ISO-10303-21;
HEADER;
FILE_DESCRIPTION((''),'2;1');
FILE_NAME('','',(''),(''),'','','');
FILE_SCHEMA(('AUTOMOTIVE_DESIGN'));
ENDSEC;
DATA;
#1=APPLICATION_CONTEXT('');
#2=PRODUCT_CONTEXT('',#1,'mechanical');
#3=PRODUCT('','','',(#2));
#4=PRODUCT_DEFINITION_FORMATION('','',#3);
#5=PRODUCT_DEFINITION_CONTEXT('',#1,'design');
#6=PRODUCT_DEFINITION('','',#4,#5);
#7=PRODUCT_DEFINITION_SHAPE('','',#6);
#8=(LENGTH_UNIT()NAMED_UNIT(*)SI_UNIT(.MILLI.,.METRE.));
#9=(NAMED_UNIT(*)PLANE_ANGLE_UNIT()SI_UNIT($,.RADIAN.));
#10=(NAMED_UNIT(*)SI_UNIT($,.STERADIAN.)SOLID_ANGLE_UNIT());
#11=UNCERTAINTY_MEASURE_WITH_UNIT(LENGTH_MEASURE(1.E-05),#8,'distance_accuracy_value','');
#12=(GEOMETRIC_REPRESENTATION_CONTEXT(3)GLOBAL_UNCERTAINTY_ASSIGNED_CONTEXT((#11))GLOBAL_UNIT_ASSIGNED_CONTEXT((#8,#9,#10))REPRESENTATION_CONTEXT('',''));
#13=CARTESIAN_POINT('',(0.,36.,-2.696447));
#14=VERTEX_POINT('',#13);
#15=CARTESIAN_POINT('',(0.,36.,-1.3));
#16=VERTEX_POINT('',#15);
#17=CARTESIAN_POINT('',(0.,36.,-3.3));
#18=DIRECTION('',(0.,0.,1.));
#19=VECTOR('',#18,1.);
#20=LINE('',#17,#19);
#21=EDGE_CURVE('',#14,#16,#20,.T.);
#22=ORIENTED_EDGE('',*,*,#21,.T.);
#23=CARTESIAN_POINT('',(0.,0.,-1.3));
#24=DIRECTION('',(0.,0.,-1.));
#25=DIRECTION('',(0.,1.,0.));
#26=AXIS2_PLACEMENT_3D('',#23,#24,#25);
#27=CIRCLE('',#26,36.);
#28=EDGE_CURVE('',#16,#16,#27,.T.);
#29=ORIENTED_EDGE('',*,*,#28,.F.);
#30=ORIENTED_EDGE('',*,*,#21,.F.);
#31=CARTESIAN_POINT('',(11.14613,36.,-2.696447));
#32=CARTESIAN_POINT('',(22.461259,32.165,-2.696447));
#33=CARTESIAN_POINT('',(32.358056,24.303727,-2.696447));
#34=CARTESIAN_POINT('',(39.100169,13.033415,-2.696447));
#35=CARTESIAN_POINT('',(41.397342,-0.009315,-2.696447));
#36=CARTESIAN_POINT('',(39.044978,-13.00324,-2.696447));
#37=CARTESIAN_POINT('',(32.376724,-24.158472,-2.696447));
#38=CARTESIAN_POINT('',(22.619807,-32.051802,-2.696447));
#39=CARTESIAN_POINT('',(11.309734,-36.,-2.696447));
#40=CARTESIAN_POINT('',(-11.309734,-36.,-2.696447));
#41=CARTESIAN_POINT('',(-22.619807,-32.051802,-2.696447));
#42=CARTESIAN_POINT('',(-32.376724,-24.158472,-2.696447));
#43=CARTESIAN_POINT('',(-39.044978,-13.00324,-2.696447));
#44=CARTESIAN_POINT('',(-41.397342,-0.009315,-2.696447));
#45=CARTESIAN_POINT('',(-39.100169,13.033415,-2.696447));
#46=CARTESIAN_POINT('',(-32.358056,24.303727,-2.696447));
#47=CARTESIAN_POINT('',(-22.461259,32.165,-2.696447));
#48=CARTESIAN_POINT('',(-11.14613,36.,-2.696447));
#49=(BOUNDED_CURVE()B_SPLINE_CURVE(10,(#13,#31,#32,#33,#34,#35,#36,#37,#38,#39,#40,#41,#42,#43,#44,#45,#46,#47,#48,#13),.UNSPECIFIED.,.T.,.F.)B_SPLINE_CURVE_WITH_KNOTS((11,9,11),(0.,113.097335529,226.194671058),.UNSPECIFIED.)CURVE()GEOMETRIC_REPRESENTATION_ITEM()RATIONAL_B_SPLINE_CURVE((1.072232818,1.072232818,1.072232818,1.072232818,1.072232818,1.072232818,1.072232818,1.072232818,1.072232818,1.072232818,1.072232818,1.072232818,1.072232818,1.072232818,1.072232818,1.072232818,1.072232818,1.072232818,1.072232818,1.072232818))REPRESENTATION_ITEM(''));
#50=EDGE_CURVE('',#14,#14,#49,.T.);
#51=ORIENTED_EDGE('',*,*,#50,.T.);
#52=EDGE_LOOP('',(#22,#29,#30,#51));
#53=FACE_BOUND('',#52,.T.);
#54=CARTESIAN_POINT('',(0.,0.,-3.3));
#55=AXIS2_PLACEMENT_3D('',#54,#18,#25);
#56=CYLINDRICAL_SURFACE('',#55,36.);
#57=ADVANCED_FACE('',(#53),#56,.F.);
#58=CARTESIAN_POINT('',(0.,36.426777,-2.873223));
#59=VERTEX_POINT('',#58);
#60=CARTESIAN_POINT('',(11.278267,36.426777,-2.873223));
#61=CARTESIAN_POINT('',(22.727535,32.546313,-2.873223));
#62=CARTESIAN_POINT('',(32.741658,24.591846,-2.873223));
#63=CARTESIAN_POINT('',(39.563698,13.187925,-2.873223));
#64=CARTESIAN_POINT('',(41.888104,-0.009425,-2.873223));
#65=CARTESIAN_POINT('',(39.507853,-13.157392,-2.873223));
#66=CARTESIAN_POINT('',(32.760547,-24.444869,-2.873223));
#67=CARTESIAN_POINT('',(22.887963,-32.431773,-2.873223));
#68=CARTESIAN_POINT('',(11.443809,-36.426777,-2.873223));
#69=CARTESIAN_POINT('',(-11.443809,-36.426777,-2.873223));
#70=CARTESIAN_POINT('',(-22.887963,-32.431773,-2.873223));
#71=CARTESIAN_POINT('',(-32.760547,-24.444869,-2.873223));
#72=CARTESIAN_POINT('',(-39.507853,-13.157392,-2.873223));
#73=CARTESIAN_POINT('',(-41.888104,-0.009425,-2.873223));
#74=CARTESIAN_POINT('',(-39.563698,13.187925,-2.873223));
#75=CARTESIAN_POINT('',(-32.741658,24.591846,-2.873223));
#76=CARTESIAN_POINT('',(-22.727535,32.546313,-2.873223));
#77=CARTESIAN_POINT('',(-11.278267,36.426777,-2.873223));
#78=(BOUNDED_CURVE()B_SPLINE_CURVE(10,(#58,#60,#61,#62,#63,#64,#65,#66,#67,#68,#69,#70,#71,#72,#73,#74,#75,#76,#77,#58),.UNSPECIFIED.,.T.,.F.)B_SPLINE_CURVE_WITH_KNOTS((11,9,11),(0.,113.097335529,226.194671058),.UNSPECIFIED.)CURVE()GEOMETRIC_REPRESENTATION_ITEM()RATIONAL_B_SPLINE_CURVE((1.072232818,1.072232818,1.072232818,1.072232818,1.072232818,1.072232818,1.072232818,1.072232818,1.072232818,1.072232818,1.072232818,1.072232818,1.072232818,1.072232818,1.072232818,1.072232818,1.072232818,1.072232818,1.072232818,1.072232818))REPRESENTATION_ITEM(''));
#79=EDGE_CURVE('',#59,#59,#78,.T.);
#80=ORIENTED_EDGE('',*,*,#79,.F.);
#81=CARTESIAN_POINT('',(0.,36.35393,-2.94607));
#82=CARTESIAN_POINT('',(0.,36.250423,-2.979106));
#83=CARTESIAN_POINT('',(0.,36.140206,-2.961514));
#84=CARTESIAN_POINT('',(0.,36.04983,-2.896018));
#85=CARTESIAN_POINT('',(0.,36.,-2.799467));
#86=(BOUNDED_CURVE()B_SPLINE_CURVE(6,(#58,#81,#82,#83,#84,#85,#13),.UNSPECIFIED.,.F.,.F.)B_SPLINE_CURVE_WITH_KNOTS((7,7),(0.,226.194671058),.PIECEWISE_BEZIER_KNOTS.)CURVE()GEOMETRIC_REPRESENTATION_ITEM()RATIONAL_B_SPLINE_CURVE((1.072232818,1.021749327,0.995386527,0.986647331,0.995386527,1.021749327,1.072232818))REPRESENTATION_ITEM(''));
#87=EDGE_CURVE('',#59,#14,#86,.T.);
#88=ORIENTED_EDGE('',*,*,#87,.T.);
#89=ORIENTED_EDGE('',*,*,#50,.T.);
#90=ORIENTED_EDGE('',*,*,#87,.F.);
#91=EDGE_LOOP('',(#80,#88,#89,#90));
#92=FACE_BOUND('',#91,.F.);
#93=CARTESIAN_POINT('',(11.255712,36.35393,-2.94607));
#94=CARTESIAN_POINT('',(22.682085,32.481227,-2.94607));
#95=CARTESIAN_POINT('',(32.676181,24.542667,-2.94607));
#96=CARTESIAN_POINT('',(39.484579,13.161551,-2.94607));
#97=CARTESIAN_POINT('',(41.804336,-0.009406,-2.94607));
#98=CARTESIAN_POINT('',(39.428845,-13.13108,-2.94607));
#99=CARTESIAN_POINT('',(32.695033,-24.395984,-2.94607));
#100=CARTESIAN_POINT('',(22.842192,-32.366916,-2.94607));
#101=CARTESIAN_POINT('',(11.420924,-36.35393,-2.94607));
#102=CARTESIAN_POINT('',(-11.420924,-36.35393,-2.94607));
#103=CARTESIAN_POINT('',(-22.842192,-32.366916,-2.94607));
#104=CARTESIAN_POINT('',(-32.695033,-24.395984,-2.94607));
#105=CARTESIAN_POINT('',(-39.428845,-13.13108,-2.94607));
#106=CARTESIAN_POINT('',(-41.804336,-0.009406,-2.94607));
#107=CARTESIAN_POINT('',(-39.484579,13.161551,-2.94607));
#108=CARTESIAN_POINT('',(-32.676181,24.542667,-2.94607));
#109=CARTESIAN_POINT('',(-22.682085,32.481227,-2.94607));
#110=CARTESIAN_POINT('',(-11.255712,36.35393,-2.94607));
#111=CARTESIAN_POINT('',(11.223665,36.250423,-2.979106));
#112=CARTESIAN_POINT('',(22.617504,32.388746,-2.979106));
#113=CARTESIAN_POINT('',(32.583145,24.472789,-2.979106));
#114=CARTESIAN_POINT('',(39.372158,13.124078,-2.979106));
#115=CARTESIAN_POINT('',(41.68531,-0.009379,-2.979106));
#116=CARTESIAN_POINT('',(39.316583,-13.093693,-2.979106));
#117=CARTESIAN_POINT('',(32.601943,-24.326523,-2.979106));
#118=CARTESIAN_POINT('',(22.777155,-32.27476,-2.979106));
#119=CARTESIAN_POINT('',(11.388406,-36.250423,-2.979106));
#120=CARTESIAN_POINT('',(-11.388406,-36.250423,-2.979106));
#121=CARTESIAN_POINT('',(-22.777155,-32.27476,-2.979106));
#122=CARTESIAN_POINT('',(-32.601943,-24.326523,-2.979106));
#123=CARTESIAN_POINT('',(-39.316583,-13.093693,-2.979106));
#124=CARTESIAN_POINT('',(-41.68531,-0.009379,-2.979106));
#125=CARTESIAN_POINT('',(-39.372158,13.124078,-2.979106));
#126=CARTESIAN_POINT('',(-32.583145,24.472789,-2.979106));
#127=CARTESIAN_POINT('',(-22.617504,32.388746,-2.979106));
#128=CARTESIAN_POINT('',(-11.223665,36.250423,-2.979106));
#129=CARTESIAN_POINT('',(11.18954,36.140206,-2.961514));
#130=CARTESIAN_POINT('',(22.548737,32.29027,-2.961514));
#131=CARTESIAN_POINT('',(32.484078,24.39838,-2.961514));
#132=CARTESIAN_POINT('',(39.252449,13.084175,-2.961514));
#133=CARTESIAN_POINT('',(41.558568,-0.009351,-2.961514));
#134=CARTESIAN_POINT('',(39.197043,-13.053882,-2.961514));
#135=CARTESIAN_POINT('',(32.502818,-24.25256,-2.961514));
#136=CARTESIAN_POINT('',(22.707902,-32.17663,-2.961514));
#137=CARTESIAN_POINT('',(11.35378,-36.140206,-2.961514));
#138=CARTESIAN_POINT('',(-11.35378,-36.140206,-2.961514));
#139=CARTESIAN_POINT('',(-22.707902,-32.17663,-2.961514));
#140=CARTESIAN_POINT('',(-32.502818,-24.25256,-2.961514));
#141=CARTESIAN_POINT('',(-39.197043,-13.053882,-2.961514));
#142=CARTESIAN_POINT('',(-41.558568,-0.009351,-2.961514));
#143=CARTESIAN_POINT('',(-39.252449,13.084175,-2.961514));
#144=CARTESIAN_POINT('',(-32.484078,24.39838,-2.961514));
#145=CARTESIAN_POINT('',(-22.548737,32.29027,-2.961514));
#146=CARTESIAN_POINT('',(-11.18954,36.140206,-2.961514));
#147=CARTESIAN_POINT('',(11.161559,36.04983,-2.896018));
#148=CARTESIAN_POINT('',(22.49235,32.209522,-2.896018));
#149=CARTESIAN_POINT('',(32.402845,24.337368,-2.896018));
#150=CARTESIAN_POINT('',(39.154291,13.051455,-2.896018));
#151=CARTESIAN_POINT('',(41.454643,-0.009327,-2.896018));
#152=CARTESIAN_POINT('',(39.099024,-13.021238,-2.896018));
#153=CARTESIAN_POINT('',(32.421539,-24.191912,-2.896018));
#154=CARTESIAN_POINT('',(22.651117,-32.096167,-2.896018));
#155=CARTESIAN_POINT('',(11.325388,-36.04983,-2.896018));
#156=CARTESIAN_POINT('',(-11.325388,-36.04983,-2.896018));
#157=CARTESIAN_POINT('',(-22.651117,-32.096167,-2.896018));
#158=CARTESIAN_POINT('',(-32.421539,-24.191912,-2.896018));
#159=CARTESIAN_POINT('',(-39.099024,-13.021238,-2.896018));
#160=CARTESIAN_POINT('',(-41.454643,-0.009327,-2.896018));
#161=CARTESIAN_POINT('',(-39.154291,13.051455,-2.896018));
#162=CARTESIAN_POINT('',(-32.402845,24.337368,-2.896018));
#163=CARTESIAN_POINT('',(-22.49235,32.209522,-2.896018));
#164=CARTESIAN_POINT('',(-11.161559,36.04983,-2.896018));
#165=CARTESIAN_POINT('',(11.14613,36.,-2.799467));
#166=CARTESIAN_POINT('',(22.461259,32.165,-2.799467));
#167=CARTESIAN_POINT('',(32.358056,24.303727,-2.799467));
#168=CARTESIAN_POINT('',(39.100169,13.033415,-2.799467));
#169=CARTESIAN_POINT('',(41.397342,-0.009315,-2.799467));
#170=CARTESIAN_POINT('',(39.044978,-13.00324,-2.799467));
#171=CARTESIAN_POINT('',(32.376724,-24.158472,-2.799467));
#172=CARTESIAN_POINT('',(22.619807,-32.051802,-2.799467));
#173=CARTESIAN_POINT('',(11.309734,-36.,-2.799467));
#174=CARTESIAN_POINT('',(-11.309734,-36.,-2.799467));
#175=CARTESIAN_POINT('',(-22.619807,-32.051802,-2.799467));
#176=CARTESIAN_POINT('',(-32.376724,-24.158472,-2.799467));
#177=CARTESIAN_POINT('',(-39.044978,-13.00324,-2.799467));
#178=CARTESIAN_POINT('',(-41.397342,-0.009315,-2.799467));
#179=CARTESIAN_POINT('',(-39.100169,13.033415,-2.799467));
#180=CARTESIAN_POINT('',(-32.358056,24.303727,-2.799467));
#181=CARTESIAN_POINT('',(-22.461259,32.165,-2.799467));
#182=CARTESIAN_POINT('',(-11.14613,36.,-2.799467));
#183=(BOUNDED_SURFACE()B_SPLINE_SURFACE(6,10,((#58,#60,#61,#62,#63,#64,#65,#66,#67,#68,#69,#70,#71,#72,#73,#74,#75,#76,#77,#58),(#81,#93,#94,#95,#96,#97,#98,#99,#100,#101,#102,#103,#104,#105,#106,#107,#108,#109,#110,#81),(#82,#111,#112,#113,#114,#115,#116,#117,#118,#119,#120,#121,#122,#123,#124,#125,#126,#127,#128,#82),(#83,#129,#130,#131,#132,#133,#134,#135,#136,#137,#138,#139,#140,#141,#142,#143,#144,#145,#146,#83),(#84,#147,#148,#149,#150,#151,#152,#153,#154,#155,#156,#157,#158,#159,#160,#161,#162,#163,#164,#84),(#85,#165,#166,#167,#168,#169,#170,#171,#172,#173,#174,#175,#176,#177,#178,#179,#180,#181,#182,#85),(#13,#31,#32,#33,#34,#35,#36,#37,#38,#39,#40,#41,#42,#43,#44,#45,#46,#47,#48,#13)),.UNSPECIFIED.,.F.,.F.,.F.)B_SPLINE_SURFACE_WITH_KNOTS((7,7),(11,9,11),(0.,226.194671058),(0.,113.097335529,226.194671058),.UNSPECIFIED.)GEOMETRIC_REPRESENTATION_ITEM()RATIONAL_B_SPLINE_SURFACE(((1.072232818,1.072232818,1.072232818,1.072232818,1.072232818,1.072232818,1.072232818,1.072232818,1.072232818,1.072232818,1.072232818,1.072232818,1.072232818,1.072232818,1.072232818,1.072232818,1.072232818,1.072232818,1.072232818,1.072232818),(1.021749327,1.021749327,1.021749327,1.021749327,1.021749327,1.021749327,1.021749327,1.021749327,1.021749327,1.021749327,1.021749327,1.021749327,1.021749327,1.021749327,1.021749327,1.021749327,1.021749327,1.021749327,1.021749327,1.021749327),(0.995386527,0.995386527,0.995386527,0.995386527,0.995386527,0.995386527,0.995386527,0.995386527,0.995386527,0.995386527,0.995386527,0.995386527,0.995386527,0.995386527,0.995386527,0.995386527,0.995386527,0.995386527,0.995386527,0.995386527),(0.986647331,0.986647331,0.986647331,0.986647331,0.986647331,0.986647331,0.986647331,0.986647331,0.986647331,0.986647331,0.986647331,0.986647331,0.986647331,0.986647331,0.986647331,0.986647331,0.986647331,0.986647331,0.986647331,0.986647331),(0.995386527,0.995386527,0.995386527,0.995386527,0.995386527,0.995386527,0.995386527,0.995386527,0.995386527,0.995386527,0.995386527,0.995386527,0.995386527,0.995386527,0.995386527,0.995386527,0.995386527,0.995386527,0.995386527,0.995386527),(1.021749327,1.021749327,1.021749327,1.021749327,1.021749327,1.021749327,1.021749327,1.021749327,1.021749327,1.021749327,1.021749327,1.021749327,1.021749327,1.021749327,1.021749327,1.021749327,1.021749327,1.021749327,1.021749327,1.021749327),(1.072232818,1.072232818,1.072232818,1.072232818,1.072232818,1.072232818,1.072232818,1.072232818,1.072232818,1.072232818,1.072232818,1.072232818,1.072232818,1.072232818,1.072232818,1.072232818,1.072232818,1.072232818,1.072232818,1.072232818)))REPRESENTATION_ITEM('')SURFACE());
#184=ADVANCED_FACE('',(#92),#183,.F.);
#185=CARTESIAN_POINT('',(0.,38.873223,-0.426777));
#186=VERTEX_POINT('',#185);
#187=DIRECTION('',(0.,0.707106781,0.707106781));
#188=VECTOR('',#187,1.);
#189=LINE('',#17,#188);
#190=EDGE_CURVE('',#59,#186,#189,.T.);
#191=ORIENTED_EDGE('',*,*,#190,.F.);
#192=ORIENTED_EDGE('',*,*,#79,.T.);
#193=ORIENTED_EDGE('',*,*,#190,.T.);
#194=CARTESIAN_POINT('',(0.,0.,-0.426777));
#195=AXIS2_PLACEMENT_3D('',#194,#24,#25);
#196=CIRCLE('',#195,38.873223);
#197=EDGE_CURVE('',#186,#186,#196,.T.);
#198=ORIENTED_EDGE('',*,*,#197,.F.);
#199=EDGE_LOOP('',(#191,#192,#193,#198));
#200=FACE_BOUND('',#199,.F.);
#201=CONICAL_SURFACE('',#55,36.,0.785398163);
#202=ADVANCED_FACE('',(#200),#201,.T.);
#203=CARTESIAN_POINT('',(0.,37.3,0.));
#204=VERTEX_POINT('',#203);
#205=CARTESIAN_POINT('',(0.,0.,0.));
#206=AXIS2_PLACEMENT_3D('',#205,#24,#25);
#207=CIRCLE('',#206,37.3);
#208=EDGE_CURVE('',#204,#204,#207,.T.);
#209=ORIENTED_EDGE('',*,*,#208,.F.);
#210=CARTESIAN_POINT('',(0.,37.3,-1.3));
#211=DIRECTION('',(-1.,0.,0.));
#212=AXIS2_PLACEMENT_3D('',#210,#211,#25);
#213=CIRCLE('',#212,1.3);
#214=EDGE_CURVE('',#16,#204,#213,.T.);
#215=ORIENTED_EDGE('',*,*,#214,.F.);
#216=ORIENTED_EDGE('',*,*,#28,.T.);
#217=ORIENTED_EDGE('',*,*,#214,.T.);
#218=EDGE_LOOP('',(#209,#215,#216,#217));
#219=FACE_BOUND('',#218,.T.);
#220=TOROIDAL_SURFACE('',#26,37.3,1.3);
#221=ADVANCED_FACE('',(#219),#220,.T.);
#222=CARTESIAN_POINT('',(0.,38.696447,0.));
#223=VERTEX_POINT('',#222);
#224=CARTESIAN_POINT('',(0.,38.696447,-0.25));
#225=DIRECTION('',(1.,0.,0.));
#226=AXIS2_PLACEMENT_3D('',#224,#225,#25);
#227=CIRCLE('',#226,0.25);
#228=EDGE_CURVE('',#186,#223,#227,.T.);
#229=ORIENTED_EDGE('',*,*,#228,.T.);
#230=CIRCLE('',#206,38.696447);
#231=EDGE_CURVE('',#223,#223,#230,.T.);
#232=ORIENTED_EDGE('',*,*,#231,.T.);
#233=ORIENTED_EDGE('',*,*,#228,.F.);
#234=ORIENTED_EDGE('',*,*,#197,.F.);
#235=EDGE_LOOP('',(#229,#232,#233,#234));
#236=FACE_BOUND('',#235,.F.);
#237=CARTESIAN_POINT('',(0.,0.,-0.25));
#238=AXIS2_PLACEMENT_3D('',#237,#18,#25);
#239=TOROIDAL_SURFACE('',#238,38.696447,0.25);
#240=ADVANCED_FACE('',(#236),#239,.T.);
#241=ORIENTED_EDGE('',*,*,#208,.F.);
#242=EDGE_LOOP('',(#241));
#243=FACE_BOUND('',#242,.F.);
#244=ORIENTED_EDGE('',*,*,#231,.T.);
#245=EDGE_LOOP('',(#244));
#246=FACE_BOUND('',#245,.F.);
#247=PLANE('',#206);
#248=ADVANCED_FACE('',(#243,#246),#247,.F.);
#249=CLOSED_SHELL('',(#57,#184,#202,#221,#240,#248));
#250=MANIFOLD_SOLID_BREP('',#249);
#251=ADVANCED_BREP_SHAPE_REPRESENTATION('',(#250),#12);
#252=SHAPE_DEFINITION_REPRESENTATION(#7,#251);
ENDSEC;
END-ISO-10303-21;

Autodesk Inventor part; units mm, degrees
ref_plane "YZ Plane" through (0, 0, 0) normal (1, 0, 0) x (0, 1, 0)
ref_plane "XZ Plane" through (0, 0, 0) normal (0, 1, 0) x (-1, 0, 0)
ref_plane "XY Plane" through (0, 0, 0) normal (0, 0, 1) x (1, 0, 0)
sketch "Эскиз1" plane through (0, 0, 0) normal (1, 0, 0) x (0, 1, 0)
  line L0 (-7.86, 0) -> (47.16, 0) construction
  line L1 (0, 0.66) -> (0, -3.96) construction
  line L2 (39.3, 0) -> (36, 0)
  line L3 (36, -3.3) -> (39.3, 0)
  line L4 (36, -3.3) -> (36, 0)
  point P0 (0, 0)
  dimension "d0" = 36
  dimension "d1" = 3.3
  dimension "d2" = 45
revolve "Вращение1" add sketch "Эскиз1" angle 360 about axis through (0, 0, 0) along (0, 0, -1)
fillet "Сопряжение1" radius 1.3 1 edges at (0, -36, 0)
fillet "Сопряжение2" radius 0.25 1 edges at (0, -39.3, 0)
fillet "Сопряжение3" radius 0.25 1 edges at (0, -36, -3.3)
properties part number "кол_072"
